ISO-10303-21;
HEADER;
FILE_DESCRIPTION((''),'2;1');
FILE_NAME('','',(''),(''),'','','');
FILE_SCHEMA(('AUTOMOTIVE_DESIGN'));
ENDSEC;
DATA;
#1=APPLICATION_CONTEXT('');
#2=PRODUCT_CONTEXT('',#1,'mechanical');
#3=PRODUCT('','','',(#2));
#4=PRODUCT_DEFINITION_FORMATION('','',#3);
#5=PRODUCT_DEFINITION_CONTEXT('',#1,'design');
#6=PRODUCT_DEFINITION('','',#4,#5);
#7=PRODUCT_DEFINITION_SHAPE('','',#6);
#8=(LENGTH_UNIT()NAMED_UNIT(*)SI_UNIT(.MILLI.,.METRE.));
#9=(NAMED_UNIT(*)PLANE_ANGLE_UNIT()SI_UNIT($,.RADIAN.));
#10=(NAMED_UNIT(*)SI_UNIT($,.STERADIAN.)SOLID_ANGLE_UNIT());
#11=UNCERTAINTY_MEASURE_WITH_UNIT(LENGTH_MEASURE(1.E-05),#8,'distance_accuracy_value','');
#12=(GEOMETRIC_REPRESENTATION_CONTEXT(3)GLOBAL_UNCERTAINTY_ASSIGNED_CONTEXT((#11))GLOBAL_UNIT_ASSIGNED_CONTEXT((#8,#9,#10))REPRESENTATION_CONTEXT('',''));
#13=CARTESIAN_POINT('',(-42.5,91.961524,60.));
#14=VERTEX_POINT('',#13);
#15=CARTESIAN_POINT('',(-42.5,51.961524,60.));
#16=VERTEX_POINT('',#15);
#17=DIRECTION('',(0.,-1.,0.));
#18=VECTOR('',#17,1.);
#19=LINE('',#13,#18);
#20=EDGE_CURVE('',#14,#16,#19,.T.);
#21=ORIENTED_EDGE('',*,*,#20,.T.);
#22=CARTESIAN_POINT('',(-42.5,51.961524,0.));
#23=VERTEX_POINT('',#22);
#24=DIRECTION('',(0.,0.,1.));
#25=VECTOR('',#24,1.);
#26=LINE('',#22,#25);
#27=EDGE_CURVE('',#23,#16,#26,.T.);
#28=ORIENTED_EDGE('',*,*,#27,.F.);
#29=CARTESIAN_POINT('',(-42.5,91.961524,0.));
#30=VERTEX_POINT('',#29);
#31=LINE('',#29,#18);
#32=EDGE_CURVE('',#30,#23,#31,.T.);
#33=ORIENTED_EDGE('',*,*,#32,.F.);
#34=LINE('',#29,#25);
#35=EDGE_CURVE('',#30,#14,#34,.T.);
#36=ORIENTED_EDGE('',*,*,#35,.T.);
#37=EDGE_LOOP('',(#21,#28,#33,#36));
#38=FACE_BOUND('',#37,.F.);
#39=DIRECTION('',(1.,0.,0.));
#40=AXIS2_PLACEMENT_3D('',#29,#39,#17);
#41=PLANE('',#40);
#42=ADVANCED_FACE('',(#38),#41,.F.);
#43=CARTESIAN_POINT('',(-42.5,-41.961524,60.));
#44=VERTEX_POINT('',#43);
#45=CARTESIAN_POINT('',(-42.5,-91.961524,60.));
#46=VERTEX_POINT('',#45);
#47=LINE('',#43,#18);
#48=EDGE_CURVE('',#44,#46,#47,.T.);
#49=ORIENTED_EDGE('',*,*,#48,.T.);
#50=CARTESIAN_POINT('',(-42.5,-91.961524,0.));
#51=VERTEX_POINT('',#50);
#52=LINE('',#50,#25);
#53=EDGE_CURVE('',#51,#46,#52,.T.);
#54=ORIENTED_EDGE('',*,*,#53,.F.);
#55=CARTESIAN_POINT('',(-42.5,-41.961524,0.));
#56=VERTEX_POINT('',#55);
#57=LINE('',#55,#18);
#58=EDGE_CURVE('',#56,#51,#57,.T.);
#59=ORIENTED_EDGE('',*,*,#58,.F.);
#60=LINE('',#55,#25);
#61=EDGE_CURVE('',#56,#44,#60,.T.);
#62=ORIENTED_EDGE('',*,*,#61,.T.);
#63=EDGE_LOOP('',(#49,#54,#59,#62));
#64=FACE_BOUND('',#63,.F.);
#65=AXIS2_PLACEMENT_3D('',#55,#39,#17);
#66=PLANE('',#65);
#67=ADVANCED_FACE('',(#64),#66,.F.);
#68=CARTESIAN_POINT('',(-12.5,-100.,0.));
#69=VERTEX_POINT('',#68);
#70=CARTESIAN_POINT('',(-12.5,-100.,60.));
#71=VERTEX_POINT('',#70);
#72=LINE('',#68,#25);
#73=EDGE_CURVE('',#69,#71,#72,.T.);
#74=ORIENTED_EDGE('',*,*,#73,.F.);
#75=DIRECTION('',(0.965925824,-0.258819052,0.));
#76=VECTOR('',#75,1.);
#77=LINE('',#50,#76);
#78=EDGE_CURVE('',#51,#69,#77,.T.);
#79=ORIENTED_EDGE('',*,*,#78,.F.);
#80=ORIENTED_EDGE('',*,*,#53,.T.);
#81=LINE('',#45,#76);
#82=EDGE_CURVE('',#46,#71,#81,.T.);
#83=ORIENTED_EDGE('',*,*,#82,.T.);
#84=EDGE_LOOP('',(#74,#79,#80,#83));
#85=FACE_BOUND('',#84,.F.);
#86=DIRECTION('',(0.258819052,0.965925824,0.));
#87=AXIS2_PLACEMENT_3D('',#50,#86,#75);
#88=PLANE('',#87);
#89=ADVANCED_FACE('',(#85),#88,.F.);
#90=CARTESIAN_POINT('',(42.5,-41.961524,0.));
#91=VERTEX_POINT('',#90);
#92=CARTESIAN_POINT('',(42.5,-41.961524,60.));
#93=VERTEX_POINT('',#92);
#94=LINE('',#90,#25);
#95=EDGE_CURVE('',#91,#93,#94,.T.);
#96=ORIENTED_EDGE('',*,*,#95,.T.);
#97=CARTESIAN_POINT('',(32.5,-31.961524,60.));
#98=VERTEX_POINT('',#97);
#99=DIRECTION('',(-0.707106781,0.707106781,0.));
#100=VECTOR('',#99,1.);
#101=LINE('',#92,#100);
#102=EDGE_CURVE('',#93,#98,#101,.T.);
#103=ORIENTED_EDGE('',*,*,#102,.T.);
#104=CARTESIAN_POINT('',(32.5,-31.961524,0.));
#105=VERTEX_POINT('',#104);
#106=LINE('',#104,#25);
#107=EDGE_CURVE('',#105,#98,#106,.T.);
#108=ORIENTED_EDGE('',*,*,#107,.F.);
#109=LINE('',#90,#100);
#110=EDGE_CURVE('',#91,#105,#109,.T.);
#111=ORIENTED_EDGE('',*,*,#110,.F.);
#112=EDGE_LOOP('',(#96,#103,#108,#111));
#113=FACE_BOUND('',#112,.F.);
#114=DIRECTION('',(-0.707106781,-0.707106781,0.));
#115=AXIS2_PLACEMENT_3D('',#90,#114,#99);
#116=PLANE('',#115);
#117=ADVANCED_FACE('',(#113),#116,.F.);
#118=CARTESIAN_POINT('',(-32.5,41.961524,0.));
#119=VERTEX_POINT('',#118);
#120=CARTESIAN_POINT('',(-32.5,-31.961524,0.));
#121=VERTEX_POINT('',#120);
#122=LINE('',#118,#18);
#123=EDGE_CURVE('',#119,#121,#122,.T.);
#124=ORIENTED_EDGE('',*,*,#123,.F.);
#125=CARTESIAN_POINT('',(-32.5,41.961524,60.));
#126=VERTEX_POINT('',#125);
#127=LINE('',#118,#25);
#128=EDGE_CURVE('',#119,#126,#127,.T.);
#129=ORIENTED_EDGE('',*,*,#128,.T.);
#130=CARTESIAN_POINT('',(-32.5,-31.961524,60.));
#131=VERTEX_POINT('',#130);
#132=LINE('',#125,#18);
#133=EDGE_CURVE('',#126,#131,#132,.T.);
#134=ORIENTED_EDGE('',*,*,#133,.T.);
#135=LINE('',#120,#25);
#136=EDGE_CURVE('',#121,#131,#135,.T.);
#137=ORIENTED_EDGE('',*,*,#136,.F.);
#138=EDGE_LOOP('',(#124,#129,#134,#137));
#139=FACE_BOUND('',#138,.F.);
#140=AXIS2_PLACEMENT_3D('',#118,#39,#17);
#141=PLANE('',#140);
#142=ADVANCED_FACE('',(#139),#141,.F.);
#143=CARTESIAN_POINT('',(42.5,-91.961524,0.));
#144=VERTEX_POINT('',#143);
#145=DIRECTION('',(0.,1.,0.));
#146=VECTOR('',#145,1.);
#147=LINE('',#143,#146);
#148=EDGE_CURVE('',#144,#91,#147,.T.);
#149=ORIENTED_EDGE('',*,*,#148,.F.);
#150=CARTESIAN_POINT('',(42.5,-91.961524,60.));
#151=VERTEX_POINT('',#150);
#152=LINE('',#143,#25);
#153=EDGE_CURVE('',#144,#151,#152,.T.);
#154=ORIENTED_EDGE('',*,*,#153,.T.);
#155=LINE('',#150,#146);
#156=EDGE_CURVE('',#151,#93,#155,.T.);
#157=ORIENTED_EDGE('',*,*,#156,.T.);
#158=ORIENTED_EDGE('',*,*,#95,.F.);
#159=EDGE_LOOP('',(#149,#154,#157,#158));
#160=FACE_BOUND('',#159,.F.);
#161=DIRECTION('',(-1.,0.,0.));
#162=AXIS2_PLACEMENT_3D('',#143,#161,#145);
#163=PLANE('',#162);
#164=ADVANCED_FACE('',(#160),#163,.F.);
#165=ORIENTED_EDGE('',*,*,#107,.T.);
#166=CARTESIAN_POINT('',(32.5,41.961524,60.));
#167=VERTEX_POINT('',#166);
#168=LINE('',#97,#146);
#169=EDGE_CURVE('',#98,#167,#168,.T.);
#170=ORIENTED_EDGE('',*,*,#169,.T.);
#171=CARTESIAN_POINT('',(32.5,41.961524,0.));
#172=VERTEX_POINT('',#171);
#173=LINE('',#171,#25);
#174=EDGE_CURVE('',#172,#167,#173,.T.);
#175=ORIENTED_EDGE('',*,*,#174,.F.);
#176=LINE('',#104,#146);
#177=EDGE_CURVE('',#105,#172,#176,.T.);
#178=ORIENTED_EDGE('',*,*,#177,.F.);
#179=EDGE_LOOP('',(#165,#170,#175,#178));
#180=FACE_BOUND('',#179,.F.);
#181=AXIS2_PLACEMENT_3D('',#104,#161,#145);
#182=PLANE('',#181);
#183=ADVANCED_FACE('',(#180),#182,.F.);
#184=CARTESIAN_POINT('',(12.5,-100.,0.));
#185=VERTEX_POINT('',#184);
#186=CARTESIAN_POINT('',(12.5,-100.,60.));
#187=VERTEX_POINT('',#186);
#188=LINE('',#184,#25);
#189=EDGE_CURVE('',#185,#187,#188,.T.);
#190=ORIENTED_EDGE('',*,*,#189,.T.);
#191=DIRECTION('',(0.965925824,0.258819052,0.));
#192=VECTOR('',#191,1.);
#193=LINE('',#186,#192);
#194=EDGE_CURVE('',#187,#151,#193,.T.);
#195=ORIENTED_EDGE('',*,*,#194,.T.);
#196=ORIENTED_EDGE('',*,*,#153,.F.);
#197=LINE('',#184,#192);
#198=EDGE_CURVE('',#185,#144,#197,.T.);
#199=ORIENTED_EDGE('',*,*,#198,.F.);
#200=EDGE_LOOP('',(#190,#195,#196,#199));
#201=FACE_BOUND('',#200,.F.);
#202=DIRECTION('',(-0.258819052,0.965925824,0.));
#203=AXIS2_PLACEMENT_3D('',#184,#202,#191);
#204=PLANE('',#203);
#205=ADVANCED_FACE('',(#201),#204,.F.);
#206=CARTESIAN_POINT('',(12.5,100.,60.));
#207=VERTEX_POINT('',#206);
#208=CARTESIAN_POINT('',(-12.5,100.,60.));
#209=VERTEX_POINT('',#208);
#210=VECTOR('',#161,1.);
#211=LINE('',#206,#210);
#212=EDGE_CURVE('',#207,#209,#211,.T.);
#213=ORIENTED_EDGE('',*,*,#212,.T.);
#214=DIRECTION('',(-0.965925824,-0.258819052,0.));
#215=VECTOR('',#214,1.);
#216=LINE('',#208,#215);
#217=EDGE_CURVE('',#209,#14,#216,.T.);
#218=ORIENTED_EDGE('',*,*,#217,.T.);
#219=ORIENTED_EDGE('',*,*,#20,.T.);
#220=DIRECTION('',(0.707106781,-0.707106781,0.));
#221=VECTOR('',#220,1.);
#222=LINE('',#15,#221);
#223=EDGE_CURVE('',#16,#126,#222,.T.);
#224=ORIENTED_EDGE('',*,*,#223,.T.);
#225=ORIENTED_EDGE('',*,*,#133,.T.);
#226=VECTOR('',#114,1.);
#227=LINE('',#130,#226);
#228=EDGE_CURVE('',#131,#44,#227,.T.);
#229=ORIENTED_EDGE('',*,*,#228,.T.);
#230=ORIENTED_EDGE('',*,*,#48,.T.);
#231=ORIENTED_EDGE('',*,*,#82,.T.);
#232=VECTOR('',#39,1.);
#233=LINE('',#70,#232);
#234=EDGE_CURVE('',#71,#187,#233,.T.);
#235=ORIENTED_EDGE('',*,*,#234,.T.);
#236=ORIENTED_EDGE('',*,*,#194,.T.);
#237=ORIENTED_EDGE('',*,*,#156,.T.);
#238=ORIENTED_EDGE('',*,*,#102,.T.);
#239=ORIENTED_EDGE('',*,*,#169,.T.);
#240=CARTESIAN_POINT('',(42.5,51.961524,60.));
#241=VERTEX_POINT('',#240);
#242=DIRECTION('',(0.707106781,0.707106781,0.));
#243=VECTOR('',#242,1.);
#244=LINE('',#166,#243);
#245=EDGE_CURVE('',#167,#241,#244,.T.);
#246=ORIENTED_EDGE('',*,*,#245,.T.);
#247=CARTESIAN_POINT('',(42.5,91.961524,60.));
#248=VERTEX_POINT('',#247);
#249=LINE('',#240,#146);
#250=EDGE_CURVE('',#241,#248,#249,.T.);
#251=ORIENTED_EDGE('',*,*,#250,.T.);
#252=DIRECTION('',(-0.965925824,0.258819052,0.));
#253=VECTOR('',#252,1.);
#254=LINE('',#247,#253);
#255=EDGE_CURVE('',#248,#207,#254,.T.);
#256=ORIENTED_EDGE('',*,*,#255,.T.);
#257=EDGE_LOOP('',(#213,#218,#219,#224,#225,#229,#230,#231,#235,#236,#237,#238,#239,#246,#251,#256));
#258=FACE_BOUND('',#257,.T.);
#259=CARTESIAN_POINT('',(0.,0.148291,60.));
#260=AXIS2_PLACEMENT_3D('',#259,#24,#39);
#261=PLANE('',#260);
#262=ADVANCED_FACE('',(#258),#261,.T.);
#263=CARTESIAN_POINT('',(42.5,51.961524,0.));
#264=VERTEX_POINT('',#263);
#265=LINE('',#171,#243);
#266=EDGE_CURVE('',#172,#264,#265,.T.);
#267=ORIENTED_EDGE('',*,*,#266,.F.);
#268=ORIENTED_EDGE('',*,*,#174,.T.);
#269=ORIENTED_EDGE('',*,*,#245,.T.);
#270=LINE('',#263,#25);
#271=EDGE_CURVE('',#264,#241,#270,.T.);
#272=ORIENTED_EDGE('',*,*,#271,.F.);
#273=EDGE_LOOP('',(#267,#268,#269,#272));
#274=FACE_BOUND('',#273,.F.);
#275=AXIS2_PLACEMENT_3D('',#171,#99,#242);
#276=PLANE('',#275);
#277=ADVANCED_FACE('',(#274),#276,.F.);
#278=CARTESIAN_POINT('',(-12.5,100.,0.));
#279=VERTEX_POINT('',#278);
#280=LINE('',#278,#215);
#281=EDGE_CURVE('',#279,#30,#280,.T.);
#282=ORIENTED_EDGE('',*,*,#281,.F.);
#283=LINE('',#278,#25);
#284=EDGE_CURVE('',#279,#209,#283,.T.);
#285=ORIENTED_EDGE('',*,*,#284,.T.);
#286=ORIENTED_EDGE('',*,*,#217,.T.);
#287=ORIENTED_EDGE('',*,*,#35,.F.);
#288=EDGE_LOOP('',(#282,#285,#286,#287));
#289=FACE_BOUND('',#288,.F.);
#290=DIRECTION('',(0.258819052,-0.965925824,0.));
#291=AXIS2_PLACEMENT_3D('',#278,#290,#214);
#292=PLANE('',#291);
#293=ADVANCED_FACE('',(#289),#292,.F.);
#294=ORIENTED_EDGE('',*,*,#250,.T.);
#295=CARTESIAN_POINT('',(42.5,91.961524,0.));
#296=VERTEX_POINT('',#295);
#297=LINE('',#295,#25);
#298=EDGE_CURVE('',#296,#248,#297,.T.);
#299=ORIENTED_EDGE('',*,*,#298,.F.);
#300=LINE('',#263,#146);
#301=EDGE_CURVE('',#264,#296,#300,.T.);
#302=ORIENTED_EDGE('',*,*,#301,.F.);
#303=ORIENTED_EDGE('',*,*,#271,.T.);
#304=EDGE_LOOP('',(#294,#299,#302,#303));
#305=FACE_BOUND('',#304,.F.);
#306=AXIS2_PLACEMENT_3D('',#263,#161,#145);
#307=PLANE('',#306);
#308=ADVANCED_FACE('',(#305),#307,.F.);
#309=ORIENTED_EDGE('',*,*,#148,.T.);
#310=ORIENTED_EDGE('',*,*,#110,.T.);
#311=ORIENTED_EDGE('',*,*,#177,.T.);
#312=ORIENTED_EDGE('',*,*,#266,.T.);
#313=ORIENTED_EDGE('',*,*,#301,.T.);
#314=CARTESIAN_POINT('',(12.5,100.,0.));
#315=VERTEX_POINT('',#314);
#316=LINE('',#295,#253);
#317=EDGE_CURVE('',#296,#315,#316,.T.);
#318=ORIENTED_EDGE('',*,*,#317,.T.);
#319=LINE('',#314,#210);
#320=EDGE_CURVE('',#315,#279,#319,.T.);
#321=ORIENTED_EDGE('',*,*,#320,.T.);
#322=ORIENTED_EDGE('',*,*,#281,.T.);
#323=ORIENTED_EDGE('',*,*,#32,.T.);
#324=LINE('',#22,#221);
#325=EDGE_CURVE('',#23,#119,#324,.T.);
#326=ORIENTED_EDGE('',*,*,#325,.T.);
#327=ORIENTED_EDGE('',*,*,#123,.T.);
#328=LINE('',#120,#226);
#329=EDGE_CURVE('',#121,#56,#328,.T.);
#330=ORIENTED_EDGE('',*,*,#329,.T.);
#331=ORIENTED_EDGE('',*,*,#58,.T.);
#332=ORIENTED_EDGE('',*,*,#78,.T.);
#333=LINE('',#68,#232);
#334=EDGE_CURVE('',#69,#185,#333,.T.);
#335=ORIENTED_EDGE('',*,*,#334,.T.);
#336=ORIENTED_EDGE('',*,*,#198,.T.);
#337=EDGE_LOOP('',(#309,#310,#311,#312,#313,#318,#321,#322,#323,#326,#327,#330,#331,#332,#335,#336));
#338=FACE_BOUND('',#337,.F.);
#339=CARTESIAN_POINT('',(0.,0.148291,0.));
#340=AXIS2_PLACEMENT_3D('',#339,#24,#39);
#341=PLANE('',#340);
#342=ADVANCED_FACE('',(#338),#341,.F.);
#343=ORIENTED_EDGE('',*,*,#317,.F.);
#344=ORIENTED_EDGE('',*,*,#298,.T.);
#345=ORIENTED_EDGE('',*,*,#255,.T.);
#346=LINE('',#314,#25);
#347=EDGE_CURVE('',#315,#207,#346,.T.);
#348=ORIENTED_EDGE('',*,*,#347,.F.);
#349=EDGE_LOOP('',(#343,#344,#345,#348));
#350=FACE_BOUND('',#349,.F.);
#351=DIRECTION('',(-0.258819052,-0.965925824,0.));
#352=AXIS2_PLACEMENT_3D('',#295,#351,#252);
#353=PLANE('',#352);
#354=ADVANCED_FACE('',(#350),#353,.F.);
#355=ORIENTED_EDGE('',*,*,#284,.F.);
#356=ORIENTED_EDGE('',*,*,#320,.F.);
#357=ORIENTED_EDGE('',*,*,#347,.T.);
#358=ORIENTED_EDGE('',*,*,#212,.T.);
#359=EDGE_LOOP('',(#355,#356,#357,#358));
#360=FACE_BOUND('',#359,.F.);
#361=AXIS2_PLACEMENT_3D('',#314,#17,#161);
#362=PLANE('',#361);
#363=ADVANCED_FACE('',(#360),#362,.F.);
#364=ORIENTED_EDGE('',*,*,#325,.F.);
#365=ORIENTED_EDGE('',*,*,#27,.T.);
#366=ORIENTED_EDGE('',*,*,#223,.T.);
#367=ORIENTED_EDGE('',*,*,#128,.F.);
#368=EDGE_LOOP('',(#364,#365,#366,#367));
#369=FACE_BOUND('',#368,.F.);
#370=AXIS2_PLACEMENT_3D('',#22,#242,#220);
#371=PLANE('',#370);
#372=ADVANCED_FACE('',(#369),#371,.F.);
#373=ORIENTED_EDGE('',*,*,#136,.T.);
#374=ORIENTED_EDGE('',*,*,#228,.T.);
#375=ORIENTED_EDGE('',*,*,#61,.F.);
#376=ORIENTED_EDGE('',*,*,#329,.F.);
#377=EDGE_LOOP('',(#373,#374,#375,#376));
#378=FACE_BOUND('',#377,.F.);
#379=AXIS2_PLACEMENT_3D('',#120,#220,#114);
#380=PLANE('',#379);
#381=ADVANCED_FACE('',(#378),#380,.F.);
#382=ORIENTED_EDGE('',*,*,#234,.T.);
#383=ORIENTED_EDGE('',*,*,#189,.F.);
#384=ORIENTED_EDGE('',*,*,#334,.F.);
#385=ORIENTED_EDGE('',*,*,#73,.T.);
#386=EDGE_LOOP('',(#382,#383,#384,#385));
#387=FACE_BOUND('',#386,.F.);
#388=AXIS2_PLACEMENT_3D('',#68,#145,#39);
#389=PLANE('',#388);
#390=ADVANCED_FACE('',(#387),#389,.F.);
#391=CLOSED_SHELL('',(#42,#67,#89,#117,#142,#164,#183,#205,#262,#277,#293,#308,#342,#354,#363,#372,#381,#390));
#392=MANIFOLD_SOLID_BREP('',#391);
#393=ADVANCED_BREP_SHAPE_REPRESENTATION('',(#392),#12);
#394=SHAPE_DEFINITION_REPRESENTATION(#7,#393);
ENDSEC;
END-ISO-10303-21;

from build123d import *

# Parameters (mm, degrees)
F1_DEPTH = 60


with BuildPart() as f1:
    # F0 (on Top) → F1 (new body)
    with BuildSketch(Plane.XY):
        Polygon((-12.5, -100), (12.5, -100), (42.5, -91.961524), (42.5, -41.961524), (32.5, -31.961524), (32.5, 41.961524), (42.5, 51.961524), (42.5, 91.961524), (12.5, 100), (-12.5, 100), (-42.5, 91.961524), (-42.5, 51.961524), (-32.5, 41.961524), (-32.5, -31.961524), (-42.5, -41.961524), (-42.5, -91.961524), align=None)
    extrude(amount=F1_DEPTH)


solid = f1.part
